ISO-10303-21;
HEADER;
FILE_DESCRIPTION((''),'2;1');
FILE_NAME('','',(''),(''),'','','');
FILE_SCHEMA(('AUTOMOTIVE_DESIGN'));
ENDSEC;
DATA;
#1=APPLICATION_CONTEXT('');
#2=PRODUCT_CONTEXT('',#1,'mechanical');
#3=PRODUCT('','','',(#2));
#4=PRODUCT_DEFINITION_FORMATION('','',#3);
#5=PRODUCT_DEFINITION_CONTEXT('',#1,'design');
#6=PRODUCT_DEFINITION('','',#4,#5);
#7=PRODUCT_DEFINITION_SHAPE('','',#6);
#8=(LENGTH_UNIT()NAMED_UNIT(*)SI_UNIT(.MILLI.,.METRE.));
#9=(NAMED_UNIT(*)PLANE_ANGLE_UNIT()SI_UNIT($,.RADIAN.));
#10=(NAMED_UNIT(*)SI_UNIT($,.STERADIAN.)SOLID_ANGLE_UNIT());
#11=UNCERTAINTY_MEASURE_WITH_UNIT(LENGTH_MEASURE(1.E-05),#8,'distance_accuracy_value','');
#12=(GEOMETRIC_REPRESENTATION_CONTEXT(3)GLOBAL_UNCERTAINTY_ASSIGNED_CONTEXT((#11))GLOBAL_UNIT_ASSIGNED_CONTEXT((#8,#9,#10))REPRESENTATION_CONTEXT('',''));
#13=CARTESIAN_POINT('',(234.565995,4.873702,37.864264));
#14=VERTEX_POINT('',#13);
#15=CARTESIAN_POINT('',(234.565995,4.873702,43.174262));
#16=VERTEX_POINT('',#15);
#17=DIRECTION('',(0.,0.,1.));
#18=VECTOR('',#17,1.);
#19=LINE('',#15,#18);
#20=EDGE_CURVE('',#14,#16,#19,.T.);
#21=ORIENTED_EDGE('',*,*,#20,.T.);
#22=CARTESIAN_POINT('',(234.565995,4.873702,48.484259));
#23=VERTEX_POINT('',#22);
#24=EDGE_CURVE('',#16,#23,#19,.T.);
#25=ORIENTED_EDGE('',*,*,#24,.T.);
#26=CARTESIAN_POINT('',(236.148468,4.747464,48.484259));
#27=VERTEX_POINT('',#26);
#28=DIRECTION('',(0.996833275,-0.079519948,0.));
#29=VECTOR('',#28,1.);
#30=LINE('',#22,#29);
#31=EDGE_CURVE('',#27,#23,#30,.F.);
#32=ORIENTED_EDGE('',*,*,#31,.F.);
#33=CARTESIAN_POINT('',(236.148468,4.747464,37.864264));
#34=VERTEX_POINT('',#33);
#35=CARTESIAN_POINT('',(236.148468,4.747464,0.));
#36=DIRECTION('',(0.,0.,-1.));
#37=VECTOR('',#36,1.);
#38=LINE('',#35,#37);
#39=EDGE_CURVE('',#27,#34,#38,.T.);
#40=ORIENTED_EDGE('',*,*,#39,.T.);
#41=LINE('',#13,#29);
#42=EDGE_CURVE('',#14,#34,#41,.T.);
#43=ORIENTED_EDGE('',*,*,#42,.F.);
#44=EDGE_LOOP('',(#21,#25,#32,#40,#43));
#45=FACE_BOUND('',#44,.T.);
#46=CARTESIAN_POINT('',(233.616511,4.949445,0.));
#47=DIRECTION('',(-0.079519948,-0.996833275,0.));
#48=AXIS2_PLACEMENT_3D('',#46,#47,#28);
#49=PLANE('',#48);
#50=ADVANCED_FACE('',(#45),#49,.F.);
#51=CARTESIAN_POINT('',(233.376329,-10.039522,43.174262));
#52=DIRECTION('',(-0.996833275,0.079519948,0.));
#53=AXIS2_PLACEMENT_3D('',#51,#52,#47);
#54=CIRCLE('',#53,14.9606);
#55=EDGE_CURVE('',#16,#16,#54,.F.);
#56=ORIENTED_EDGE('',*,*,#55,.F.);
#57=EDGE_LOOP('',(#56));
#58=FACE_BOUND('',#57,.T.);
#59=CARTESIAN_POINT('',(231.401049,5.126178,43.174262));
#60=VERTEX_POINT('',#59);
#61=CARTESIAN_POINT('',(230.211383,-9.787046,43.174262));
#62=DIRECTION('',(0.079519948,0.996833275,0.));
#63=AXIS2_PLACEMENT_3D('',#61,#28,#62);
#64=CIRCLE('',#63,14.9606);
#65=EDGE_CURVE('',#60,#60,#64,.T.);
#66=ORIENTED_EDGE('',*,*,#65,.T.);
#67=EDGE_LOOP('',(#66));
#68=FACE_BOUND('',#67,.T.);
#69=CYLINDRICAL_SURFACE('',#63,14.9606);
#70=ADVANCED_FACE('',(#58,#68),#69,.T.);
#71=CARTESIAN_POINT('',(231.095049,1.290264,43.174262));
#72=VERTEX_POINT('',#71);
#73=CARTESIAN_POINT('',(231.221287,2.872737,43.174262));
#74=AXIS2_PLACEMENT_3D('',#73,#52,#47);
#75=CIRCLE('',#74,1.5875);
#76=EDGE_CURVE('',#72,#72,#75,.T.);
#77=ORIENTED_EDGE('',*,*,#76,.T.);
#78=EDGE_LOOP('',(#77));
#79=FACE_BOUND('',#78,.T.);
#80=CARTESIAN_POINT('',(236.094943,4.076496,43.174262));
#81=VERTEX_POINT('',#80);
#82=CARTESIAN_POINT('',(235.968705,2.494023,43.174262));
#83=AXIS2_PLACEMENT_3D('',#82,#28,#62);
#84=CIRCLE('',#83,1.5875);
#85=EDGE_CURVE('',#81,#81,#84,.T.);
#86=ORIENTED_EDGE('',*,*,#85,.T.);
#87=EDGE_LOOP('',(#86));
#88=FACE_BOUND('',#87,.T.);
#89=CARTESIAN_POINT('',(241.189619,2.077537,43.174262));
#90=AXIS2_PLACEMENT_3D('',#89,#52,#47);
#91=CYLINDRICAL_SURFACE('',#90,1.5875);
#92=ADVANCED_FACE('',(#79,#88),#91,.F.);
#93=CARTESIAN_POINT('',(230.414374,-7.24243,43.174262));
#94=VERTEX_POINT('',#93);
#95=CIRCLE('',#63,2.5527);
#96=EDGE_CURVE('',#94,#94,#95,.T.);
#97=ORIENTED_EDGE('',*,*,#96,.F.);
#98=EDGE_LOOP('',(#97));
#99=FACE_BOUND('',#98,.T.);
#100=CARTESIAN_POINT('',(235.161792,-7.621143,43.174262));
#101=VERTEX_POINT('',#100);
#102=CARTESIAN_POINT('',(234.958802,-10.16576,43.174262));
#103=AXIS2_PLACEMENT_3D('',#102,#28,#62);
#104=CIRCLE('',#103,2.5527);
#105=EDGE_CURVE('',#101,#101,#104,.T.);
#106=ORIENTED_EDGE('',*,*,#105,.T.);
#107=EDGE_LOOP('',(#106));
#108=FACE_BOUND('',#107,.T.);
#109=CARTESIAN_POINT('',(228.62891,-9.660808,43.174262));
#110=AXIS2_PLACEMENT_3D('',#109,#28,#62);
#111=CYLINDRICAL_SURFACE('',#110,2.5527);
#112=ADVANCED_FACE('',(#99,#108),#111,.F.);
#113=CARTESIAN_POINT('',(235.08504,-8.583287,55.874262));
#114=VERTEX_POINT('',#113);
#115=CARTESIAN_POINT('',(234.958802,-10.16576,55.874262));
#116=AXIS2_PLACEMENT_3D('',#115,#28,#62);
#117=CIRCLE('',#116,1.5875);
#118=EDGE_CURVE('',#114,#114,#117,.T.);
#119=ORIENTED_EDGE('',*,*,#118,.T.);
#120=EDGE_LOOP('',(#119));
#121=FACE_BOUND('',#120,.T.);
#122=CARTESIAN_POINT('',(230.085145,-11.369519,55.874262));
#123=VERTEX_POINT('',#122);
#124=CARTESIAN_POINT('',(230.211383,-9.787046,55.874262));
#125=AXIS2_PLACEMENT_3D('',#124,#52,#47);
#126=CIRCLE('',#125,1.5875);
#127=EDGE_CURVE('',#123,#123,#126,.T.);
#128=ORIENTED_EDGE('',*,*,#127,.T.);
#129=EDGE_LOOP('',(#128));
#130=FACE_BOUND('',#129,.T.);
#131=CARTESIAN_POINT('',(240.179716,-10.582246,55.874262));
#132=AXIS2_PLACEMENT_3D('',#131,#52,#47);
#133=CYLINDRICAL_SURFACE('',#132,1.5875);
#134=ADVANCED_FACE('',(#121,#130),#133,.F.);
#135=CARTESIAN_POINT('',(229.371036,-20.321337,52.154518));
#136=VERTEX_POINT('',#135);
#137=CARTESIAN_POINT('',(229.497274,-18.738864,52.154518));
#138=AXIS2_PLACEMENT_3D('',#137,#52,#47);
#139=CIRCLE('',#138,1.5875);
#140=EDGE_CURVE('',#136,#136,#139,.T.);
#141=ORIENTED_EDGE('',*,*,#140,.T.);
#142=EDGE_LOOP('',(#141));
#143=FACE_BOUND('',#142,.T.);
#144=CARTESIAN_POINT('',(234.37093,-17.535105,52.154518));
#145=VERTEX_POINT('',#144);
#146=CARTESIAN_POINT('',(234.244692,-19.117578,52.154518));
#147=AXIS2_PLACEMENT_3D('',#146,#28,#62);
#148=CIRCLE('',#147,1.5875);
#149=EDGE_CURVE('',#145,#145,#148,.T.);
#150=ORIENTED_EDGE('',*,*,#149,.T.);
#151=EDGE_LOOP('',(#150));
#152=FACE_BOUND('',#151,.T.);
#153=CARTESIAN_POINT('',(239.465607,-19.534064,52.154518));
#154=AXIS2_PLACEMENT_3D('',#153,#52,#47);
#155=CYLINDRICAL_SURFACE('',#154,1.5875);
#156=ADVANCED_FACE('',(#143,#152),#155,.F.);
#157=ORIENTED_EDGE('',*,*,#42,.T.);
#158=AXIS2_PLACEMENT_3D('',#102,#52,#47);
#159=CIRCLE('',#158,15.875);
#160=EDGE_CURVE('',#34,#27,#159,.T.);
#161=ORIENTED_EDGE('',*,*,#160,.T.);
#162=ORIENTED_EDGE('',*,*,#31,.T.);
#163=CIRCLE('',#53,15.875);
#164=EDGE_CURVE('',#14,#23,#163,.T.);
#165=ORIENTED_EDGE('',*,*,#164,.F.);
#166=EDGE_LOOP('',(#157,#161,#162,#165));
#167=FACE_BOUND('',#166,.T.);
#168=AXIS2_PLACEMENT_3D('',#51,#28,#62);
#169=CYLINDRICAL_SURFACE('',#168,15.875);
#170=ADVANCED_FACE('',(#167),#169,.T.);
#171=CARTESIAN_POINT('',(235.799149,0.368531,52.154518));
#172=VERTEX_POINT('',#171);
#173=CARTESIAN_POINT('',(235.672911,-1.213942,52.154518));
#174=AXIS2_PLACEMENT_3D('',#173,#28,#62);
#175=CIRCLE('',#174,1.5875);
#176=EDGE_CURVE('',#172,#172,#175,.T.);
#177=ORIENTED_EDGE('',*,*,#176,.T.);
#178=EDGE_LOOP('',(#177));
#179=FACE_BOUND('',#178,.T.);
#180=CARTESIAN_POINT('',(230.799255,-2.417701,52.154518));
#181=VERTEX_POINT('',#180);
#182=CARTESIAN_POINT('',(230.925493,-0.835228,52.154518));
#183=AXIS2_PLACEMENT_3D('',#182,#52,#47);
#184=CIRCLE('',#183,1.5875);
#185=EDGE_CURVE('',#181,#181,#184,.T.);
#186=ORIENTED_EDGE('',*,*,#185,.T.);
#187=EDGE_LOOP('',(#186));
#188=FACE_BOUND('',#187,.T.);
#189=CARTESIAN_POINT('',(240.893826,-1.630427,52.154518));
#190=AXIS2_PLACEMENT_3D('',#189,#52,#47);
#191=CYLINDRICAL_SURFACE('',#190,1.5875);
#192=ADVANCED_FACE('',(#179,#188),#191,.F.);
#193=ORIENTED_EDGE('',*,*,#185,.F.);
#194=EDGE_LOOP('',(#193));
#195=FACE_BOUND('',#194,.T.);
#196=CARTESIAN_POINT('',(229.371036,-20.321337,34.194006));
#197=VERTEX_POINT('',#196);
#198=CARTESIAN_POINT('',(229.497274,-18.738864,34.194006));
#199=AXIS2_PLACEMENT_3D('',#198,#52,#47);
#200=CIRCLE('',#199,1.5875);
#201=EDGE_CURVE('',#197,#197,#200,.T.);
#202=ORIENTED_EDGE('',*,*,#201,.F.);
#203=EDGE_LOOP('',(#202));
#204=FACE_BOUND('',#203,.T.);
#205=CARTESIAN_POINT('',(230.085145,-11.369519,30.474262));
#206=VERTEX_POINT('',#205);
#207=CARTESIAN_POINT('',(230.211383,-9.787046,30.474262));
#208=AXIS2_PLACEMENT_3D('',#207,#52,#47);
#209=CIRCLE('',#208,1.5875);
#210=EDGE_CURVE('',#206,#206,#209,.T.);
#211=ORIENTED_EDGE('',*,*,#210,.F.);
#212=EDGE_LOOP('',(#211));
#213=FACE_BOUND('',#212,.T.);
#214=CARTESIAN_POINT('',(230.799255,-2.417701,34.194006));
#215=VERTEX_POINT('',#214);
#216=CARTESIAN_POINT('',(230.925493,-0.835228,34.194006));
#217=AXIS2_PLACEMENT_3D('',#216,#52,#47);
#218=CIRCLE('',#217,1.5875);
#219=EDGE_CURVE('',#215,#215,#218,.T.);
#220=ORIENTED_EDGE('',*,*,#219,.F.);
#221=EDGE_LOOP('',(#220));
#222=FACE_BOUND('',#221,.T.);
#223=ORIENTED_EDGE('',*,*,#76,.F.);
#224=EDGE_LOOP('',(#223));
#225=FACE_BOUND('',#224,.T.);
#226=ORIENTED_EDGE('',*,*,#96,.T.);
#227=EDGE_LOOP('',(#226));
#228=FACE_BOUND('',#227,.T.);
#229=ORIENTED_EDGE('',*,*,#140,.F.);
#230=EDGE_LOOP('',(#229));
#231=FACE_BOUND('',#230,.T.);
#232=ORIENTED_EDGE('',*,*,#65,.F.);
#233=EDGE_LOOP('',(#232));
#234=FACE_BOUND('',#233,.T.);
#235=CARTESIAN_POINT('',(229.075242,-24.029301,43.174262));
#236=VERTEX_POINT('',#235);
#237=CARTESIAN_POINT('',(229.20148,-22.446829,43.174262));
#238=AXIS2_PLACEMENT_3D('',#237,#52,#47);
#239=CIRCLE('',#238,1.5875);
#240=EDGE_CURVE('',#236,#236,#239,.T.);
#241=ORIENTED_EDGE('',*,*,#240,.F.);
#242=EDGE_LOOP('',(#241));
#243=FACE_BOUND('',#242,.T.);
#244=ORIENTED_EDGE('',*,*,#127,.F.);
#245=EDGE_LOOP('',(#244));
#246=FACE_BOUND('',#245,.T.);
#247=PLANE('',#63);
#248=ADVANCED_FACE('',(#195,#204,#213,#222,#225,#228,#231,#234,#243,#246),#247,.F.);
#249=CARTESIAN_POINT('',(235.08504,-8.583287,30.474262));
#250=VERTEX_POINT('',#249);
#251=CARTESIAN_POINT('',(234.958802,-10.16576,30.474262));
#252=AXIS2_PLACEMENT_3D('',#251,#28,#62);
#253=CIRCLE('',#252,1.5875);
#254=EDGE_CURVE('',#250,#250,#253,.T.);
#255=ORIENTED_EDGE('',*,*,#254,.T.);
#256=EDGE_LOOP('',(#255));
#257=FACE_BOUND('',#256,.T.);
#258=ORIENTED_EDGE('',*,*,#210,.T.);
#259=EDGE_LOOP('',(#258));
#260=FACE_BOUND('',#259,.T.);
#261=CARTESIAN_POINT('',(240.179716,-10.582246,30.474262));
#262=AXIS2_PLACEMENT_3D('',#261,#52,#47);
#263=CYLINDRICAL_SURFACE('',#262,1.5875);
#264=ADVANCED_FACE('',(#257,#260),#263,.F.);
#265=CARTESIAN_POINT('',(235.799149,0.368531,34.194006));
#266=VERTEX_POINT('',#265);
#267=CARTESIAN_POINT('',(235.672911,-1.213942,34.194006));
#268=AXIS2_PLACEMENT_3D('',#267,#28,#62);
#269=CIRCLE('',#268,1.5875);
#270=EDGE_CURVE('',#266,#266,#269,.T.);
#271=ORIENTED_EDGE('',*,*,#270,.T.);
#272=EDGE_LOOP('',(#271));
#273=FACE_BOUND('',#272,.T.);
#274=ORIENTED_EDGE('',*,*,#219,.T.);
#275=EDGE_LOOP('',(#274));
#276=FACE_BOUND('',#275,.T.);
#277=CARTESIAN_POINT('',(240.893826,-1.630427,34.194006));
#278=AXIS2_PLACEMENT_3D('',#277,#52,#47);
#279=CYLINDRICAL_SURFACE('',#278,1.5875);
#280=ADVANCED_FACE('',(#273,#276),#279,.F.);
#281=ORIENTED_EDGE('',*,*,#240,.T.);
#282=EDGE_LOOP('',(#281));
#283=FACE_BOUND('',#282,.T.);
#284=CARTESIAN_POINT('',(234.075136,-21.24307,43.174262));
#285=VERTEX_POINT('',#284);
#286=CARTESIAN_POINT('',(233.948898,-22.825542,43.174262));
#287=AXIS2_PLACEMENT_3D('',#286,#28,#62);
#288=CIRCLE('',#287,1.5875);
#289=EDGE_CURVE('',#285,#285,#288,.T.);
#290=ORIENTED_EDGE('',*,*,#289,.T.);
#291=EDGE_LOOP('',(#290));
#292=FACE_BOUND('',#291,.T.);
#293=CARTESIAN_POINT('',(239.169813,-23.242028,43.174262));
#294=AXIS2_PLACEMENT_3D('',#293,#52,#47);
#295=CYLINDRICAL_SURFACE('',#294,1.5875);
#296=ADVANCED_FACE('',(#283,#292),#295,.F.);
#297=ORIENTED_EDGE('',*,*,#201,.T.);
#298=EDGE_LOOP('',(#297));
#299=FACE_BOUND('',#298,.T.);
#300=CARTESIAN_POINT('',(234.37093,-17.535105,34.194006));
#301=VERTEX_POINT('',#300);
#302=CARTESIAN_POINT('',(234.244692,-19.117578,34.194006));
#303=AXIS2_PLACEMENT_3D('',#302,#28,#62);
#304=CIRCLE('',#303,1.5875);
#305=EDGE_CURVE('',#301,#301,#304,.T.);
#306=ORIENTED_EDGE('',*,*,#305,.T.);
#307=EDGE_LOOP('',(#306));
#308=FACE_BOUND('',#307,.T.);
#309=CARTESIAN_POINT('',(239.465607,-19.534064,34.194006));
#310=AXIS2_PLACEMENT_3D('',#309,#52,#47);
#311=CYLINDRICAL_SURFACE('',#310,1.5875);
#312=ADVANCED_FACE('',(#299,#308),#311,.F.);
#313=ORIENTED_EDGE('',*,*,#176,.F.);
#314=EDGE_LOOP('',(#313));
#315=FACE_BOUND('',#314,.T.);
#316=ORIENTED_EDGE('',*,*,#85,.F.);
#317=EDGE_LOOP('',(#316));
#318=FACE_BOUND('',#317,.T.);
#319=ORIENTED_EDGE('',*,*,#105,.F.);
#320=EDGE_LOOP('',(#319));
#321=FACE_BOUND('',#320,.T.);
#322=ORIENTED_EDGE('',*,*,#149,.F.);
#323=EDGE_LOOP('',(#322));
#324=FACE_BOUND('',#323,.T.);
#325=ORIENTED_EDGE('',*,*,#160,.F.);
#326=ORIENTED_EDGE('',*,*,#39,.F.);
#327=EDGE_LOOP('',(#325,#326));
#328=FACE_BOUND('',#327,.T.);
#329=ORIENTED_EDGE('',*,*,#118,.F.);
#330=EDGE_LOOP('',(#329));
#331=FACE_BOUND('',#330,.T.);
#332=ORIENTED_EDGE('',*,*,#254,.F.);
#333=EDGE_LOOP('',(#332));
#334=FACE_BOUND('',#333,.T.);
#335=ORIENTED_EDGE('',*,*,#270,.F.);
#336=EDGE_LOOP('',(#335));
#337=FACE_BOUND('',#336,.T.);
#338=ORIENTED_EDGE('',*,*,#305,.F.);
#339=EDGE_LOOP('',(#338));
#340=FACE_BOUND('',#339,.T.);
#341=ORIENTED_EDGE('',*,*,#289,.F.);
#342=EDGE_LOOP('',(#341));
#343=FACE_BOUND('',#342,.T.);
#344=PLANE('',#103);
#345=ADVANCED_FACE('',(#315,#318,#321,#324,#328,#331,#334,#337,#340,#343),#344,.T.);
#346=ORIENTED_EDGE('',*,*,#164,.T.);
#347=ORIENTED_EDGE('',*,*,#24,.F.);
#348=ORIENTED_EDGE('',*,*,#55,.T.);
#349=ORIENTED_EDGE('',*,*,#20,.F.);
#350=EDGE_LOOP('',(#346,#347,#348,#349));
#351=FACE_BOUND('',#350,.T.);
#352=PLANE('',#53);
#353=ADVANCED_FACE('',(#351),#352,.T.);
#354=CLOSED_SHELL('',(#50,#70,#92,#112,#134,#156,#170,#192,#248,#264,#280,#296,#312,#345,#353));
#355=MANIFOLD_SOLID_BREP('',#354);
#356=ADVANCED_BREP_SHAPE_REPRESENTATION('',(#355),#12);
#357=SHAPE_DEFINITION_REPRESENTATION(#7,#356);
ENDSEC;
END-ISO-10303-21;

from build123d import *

# Parameters (mm, degrees)
SKETCH1_R           = 14.9606
BOSS_EXTRUDE1_DEPTH = 4.7625
SKETCH2_R           = 2.5527
CUT_EXTRUDE1_DEPTH  = 6.35
SKETCH3_R           = 1.5875
CUT_EXTRUDE2_DEPTH  = 10
SKETCH5_R           = 15.875
SKETCH5_R_2         = 14.9606
BOSS_EXTRUDE2_DEPTH = 1.5875
CUT_EXTRUDE3_DEPTH  = 2.54


with BuildPart() as part:
    # Sketch1 → Boss-Extrude1 (new body)
    with BuildSketch(Plane(origin=(234.278878836, -18.689027227, 0), x_dir=(0, 0, -1), z_dir=(0.9968332748770866, -0.0795199477981641, 0))):
        with Locations(Location((-43.174261814, 8.550344032, 0), (0, 0, 90))):
            Circle(SKETCH1_R)
    extrude(amount=-BOSS_EXTRUDE1_DEPTH)

    # Sketch2 → Cut-Extrude1 (cut)
    with BuildSketch(Plane(origin=(234.278878836, -18.689027227, 0), x_dir=(0, 0, -1), z_dir=(0.9968332748770866, -0.07951994779816411, 0))):
        with Locations(Location((-43.174261814, 8.550344032, 0), (0, 0, 90))):
            Circle(SKETCH2_R)
    extrude(amount=-CUT_EXTRUDE1_DEPTH, mode=Mode.SUBTRACT)

    # Sketch3 → Cut-Extrude2 (cut)
    with BuildSketch(Plane(origin=(229.531460364, -18.310313476, 0), x_dir=(0, 0, 1), z_dir=(-0.9968332748770866, 0.07951994779816411, 0))):
        with Locations(Location((30.474261814, 8.550344032, 0), (0, 0, 270))):
            Circle(SKETCH3_R)
        with Locations(Location((43.174261814, 21.250344032, 0), (0, 0, 270))):
            Circle(SKETCH3_R)
        with Locations(Location((52.154517935, 17.530600153, 0), (0, 0, 270))):
            Circle(SKETCH3_R)
        with Locations(Location((55.874261814, 8.550344032, 0), (0, 0, 270))):
            Circle(SKETCH3_R)
        with Locations(Location((52.154517935, -0.429912089, 0), (0, 0, 270))):
            Circle(SKETCH3_R)
        with Locations(Location((43.174261814, -4.149655968, 0), (0, 0, 270))):
            Circle(SKETCH3_R)
        with Locations(Location((34.194005693, -0.429912089, 0), (0, 0, 270))):
            Circle(SKETCH3_R)
        with Locations(Location((34.194005693, 17.530600153, 0), (0, 0, 270))):
            Circle(SKETCH3_R)
    extrude(amount=-CUT_EXTRUDE2_DEPTH, mode=Mode.SUBTRACT)

    # Sketch5 → Boss-Extrude2 (add)
    with BuildSketch(Plane(origin=(234.278878836, -18.689027227, 0), x_dir=(0, 0, 1), z_dir=(-0.9968332748770866, 0.07951994779816411, 0))):
        with Locations(Location((43.174261814, 8.550344032, 0), (0, 0, 270))):
            Circle(SKETCH5_R)
        with Locations(Location((43.174261814, 8.550344032, 0), (0, 0, 90))):
            Circle(SKETCH5_R_2, mode=Mode.SUBTRACT)
    extrude(amount=BOSS_EXTRUDE2_DEPTH)

    # Sketch6 → Cut-Extrude3 (cut)
    with BuildSketch(Plane(origin=(234.278878836, -18.689027227, 0), x_dir=(0, 0, -1), z_dir=(0.9968332748770866, -0.07951994779816411, 0))):
        Polygon((-133.921695756, 23.510944032), (-48.484259238, 23.510944032), (-37.864264391, 23.510944032), (47.573172128, 23.510944032), (47.573172128, 194.385817069), (-133.921695756, 194.385817069), align=None)
    extrude(amount=-CUT_EXTRUDE3_DEPTH, mode=Mode.SUBTRACT)


solid = part.part
